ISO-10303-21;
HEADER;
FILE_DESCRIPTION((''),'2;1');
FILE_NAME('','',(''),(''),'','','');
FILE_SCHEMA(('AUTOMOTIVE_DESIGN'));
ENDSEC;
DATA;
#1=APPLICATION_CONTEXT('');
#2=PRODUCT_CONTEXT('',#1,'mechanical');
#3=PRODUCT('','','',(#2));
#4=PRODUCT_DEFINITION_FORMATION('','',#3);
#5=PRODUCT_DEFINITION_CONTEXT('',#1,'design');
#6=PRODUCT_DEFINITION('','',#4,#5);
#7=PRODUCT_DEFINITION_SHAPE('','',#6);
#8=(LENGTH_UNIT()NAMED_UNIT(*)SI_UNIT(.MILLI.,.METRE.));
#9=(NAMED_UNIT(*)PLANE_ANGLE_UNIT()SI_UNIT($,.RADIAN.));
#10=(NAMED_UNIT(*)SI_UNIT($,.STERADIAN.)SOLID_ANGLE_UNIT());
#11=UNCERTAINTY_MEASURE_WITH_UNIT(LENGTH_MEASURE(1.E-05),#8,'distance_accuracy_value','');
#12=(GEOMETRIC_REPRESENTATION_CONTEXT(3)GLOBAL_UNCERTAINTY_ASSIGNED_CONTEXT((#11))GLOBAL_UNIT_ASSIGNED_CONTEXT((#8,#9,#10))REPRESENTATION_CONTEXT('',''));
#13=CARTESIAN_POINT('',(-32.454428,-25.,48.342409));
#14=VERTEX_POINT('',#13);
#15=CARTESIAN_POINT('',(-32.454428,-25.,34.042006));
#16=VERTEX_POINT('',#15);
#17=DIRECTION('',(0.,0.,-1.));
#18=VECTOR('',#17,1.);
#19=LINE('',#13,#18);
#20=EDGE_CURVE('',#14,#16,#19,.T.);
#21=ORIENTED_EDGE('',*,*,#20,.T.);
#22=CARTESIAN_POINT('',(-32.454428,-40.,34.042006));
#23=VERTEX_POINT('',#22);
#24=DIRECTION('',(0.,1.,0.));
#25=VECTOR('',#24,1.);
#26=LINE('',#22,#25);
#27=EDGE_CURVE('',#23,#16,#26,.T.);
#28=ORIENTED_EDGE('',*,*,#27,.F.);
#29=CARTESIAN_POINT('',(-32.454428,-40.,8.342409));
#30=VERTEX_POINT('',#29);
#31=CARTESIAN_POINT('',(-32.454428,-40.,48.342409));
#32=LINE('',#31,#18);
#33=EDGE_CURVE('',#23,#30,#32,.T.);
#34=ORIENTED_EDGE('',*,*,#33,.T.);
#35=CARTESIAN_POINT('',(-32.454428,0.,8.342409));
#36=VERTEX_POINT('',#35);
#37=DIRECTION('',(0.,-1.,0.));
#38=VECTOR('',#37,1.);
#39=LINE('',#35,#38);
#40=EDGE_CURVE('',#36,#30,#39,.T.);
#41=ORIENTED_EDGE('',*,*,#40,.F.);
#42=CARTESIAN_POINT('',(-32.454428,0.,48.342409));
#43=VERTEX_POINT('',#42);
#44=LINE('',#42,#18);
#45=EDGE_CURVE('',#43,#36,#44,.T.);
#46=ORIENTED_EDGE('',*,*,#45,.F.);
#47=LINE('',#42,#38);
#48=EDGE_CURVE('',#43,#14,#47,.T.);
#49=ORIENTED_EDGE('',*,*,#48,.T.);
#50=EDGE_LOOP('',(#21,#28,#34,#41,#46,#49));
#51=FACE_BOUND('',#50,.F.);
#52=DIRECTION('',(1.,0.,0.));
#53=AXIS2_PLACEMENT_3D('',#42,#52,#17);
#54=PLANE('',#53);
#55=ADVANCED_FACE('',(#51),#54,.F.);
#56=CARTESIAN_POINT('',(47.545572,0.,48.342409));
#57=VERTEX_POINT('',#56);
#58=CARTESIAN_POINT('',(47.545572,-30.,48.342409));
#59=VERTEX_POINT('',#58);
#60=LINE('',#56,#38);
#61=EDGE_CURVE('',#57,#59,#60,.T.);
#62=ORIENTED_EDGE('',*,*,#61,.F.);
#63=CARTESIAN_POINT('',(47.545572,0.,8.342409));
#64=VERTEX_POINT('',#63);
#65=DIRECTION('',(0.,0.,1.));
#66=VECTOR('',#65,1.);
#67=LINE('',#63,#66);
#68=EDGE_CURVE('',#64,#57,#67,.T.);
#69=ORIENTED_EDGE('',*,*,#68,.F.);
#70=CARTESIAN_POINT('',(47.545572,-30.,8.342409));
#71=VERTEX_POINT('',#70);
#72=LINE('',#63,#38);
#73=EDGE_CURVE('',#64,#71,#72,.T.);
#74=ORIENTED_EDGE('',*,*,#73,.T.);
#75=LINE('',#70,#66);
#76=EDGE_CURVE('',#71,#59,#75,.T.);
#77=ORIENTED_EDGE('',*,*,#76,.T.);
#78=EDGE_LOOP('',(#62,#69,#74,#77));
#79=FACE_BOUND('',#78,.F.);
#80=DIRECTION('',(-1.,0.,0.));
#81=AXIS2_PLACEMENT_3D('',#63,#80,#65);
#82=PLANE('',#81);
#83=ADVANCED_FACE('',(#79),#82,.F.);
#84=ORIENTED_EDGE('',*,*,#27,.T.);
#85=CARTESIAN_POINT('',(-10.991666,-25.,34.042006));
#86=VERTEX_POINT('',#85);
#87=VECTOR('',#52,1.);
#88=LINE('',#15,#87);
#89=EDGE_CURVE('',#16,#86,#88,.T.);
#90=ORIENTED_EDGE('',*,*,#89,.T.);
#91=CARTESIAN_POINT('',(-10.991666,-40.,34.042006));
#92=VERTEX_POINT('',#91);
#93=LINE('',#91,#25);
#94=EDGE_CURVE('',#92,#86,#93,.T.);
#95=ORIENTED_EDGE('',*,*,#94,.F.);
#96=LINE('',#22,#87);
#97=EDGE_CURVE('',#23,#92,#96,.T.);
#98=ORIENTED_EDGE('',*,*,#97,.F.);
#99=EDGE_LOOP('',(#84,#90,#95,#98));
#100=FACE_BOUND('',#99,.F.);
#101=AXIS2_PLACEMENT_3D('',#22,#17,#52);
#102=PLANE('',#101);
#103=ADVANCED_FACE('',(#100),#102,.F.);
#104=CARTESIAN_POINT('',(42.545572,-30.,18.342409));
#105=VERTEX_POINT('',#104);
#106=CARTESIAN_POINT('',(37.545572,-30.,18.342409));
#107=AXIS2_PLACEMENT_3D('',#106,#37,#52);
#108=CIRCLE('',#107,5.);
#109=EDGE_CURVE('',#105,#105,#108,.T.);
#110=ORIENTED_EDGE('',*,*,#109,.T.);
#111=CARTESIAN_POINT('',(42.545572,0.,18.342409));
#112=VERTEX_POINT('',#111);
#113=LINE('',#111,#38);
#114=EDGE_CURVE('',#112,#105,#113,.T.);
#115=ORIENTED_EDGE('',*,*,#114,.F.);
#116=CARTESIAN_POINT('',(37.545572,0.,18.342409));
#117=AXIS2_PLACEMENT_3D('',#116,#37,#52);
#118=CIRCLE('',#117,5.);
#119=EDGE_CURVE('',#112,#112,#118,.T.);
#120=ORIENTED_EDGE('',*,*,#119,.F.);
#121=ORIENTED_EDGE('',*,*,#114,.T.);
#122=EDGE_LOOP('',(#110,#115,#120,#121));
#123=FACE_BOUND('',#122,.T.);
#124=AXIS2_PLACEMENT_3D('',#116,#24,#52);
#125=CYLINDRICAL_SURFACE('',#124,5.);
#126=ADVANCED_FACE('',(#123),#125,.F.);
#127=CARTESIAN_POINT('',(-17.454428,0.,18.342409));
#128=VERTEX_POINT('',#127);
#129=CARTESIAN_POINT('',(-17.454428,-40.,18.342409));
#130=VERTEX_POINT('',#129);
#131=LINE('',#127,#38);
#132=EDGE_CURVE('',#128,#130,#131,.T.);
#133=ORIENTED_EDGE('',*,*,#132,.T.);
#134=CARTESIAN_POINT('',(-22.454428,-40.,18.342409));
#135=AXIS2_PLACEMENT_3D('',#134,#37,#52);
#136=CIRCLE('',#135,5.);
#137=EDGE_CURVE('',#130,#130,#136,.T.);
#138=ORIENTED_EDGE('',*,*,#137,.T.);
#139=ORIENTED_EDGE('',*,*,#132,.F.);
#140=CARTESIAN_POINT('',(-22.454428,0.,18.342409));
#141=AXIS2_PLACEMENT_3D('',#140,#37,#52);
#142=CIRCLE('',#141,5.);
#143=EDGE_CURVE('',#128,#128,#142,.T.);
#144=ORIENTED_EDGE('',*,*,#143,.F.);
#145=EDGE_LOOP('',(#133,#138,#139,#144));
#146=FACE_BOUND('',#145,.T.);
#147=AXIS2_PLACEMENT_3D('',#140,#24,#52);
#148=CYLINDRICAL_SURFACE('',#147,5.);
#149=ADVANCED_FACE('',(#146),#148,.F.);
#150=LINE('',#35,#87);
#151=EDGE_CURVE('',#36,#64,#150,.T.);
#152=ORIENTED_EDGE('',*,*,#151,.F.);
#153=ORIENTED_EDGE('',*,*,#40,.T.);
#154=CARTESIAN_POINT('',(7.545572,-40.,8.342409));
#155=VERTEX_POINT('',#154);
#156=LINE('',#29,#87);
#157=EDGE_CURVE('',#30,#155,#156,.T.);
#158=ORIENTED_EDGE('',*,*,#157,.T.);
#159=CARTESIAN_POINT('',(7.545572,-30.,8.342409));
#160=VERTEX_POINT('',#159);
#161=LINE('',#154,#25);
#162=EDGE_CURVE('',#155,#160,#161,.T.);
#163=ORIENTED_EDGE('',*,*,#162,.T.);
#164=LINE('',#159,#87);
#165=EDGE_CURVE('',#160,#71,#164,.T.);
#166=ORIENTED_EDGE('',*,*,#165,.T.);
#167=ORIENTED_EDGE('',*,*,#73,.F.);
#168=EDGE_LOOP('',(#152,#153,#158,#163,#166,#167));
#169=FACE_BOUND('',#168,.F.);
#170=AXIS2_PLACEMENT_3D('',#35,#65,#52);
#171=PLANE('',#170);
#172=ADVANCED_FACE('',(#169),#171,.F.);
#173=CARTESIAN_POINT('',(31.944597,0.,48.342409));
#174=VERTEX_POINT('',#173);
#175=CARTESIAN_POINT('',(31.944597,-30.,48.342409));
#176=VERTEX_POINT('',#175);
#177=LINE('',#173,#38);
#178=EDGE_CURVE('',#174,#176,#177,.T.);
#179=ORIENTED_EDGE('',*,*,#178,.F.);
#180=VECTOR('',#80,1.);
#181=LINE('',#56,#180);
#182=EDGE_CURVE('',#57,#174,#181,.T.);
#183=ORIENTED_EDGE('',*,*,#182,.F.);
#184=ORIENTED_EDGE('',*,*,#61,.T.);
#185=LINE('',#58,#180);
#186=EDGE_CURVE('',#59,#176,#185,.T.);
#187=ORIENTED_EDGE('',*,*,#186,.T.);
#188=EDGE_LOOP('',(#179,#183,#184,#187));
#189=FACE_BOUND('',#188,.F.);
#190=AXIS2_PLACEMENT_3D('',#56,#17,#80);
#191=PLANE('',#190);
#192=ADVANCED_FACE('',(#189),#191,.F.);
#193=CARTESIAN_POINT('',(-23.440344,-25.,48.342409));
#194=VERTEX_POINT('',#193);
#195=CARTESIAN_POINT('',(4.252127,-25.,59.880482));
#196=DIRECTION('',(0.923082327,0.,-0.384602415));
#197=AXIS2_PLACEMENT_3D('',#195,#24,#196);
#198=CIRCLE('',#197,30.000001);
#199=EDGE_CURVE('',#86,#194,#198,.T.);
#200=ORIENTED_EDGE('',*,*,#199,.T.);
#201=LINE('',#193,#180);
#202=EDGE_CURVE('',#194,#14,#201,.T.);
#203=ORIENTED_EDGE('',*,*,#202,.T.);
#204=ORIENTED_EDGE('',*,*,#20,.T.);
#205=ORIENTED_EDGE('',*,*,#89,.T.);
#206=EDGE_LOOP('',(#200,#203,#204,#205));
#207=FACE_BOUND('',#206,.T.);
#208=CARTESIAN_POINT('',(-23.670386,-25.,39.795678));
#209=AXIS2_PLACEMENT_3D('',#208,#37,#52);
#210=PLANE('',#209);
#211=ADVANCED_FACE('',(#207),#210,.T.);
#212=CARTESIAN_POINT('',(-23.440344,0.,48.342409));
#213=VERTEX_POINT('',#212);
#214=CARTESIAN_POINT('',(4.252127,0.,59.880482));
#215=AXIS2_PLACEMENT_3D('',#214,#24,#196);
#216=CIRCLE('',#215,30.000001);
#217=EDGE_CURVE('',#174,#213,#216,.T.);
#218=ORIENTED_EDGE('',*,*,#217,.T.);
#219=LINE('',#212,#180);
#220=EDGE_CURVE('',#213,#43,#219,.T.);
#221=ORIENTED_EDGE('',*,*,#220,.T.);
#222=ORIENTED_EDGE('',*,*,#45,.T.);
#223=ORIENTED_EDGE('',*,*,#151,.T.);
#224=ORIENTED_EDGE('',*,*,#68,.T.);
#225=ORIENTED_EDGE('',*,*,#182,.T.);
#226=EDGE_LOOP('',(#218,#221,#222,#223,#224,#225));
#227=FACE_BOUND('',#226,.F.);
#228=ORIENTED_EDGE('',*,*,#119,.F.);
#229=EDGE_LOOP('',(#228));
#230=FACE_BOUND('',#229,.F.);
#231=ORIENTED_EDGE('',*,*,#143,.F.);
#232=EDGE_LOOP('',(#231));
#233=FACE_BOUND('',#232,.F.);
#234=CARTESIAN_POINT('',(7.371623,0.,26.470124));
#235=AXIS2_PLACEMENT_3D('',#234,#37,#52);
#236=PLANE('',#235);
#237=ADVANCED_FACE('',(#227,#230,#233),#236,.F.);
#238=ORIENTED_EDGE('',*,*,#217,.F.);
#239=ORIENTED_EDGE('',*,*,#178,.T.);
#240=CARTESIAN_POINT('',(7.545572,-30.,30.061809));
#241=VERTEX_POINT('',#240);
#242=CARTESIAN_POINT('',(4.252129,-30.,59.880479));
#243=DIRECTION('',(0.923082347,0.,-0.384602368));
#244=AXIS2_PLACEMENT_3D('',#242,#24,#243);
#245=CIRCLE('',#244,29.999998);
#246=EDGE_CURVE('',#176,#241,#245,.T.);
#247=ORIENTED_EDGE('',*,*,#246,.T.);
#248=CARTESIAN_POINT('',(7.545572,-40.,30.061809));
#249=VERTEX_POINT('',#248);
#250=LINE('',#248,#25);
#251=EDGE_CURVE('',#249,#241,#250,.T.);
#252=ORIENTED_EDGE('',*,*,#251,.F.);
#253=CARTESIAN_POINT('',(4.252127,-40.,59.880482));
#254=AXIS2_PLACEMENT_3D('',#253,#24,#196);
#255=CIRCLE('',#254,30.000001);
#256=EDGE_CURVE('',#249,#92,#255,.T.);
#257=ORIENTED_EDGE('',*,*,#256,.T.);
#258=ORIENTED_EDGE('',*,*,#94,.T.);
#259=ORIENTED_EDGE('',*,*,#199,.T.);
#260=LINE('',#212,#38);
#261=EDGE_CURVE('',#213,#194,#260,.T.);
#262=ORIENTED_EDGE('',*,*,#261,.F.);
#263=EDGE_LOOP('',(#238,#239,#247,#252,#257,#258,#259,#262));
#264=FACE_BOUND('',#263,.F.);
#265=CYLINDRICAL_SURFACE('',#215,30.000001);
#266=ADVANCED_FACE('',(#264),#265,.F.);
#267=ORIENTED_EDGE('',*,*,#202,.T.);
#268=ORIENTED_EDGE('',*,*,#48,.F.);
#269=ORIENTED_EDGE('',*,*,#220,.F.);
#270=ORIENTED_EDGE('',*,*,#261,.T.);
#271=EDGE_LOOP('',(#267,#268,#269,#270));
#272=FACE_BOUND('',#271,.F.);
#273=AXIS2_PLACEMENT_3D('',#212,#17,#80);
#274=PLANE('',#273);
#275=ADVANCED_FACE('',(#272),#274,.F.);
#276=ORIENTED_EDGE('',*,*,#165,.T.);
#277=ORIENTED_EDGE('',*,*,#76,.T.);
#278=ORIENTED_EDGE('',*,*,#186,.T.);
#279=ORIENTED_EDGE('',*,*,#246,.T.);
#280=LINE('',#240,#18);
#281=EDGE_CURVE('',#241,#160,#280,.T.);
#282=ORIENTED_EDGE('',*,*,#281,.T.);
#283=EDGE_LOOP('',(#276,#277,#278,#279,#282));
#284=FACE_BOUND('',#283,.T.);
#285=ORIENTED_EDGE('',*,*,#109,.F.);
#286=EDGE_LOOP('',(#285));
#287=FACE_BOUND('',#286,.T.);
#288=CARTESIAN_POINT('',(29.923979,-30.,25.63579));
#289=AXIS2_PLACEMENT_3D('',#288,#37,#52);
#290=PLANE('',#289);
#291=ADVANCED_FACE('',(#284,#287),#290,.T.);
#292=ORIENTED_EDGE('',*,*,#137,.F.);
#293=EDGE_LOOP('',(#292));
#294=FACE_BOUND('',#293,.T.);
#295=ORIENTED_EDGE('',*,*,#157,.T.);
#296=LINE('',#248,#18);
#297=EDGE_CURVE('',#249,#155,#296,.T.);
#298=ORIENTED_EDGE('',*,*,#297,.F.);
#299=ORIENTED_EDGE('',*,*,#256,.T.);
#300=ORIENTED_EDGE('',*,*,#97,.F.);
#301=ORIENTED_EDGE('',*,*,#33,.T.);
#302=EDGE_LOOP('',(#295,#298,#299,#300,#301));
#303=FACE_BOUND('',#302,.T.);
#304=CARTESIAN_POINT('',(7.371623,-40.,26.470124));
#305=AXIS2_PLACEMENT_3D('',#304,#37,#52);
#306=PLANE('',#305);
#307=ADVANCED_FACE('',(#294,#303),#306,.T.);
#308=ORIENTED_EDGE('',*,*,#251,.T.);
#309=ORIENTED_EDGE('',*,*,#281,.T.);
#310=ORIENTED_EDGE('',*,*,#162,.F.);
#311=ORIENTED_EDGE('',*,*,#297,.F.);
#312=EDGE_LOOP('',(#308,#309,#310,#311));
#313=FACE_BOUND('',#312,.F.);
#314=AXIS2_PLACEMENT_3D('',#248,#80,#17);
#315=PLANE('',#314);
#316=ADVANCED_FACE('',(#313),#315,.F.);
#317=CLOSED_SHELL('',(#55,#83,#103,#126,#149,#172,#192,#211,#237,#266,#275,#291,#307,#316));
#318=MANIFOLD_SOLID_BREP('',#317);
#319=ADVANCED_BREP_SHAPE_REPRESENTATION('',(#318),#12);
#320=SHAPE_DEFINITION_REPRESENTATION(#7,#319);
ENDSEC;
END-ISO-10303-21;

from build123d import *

# Parameters (mm, degrees)
F0_R     = 5
F1_DEPTH = 40
F2_R     = 5
F3_DEPTH = 10
F5_DEPTH = 15


with BuildPart() as f1:
    # F0 (on Front) → F1 (new body)
    with BuildSketch(Plane.XZ):
        with BuildLine():
            Line((-23.440344, 48.342409), (-32.454428, 48.342409))
            Line((-32.454428, 48.342409), (-32.454428, 8.342409))
            Line((-32.454428, 8.342409), (47.545572, 8.342409))
            Line((47.545572, 8.342409), (47.545572, 48.342409))
            Line((47.545572, 48.342409), (31.944597, 48.342409))
            ThreePointArc((31.944597, 48.342409), (4.252126, 29.880481), (-23.440344, 48.342409))
        make_face()
        with Locations((-22.454428, 18.342409)):
            Circle(F0_R, mode=Mode.SUBTRACT)
        with Locations((37.545572, 18.342409)):
            Circle(F0_R, mode=Mode.SUBTRACT)
    extrude(amount=F1_DEPTH)

    # F2 (on face) → F3 (cut)
    with BuildSketch(Plane.XZ.offset(40)):
        with BuildLine():
            ThreePointArc((31.944597, 48.342409), (22.240368, 35.871666), (7.545572, 30.061809))
            Line((7.545572, 30.061809), (7.545572, 8.342409))
            Line((7.545572, 8.342409), (47.545572, 8.342409))
            Line((47.545572, 8.342409), (47.545572, 48.342409))
            Line((47.545572, 48.342409), (31.944597, 48.342409))
        make_face()
        with Locations((37.545572, 18.342409)):
            Circle(F2_R, mode=Mode.SUBTRACT)
    extrude(amount=-F3_DEPTH, mode=Mode.SUBTRACT)

    # F4 (on face) → F5 (cut)
    with BuildSketch(Plane.XZ.offset(40)):
        Polygon((-32.454428, 34.042006), (-10.991666, 34.042006), (-23.440344, 48.342409), (-32.454428, 48.342409), align=None)
    extrude(amount=-F5_DEPTH, mode=Mode.SUBTRACT)


solid = f1.part
